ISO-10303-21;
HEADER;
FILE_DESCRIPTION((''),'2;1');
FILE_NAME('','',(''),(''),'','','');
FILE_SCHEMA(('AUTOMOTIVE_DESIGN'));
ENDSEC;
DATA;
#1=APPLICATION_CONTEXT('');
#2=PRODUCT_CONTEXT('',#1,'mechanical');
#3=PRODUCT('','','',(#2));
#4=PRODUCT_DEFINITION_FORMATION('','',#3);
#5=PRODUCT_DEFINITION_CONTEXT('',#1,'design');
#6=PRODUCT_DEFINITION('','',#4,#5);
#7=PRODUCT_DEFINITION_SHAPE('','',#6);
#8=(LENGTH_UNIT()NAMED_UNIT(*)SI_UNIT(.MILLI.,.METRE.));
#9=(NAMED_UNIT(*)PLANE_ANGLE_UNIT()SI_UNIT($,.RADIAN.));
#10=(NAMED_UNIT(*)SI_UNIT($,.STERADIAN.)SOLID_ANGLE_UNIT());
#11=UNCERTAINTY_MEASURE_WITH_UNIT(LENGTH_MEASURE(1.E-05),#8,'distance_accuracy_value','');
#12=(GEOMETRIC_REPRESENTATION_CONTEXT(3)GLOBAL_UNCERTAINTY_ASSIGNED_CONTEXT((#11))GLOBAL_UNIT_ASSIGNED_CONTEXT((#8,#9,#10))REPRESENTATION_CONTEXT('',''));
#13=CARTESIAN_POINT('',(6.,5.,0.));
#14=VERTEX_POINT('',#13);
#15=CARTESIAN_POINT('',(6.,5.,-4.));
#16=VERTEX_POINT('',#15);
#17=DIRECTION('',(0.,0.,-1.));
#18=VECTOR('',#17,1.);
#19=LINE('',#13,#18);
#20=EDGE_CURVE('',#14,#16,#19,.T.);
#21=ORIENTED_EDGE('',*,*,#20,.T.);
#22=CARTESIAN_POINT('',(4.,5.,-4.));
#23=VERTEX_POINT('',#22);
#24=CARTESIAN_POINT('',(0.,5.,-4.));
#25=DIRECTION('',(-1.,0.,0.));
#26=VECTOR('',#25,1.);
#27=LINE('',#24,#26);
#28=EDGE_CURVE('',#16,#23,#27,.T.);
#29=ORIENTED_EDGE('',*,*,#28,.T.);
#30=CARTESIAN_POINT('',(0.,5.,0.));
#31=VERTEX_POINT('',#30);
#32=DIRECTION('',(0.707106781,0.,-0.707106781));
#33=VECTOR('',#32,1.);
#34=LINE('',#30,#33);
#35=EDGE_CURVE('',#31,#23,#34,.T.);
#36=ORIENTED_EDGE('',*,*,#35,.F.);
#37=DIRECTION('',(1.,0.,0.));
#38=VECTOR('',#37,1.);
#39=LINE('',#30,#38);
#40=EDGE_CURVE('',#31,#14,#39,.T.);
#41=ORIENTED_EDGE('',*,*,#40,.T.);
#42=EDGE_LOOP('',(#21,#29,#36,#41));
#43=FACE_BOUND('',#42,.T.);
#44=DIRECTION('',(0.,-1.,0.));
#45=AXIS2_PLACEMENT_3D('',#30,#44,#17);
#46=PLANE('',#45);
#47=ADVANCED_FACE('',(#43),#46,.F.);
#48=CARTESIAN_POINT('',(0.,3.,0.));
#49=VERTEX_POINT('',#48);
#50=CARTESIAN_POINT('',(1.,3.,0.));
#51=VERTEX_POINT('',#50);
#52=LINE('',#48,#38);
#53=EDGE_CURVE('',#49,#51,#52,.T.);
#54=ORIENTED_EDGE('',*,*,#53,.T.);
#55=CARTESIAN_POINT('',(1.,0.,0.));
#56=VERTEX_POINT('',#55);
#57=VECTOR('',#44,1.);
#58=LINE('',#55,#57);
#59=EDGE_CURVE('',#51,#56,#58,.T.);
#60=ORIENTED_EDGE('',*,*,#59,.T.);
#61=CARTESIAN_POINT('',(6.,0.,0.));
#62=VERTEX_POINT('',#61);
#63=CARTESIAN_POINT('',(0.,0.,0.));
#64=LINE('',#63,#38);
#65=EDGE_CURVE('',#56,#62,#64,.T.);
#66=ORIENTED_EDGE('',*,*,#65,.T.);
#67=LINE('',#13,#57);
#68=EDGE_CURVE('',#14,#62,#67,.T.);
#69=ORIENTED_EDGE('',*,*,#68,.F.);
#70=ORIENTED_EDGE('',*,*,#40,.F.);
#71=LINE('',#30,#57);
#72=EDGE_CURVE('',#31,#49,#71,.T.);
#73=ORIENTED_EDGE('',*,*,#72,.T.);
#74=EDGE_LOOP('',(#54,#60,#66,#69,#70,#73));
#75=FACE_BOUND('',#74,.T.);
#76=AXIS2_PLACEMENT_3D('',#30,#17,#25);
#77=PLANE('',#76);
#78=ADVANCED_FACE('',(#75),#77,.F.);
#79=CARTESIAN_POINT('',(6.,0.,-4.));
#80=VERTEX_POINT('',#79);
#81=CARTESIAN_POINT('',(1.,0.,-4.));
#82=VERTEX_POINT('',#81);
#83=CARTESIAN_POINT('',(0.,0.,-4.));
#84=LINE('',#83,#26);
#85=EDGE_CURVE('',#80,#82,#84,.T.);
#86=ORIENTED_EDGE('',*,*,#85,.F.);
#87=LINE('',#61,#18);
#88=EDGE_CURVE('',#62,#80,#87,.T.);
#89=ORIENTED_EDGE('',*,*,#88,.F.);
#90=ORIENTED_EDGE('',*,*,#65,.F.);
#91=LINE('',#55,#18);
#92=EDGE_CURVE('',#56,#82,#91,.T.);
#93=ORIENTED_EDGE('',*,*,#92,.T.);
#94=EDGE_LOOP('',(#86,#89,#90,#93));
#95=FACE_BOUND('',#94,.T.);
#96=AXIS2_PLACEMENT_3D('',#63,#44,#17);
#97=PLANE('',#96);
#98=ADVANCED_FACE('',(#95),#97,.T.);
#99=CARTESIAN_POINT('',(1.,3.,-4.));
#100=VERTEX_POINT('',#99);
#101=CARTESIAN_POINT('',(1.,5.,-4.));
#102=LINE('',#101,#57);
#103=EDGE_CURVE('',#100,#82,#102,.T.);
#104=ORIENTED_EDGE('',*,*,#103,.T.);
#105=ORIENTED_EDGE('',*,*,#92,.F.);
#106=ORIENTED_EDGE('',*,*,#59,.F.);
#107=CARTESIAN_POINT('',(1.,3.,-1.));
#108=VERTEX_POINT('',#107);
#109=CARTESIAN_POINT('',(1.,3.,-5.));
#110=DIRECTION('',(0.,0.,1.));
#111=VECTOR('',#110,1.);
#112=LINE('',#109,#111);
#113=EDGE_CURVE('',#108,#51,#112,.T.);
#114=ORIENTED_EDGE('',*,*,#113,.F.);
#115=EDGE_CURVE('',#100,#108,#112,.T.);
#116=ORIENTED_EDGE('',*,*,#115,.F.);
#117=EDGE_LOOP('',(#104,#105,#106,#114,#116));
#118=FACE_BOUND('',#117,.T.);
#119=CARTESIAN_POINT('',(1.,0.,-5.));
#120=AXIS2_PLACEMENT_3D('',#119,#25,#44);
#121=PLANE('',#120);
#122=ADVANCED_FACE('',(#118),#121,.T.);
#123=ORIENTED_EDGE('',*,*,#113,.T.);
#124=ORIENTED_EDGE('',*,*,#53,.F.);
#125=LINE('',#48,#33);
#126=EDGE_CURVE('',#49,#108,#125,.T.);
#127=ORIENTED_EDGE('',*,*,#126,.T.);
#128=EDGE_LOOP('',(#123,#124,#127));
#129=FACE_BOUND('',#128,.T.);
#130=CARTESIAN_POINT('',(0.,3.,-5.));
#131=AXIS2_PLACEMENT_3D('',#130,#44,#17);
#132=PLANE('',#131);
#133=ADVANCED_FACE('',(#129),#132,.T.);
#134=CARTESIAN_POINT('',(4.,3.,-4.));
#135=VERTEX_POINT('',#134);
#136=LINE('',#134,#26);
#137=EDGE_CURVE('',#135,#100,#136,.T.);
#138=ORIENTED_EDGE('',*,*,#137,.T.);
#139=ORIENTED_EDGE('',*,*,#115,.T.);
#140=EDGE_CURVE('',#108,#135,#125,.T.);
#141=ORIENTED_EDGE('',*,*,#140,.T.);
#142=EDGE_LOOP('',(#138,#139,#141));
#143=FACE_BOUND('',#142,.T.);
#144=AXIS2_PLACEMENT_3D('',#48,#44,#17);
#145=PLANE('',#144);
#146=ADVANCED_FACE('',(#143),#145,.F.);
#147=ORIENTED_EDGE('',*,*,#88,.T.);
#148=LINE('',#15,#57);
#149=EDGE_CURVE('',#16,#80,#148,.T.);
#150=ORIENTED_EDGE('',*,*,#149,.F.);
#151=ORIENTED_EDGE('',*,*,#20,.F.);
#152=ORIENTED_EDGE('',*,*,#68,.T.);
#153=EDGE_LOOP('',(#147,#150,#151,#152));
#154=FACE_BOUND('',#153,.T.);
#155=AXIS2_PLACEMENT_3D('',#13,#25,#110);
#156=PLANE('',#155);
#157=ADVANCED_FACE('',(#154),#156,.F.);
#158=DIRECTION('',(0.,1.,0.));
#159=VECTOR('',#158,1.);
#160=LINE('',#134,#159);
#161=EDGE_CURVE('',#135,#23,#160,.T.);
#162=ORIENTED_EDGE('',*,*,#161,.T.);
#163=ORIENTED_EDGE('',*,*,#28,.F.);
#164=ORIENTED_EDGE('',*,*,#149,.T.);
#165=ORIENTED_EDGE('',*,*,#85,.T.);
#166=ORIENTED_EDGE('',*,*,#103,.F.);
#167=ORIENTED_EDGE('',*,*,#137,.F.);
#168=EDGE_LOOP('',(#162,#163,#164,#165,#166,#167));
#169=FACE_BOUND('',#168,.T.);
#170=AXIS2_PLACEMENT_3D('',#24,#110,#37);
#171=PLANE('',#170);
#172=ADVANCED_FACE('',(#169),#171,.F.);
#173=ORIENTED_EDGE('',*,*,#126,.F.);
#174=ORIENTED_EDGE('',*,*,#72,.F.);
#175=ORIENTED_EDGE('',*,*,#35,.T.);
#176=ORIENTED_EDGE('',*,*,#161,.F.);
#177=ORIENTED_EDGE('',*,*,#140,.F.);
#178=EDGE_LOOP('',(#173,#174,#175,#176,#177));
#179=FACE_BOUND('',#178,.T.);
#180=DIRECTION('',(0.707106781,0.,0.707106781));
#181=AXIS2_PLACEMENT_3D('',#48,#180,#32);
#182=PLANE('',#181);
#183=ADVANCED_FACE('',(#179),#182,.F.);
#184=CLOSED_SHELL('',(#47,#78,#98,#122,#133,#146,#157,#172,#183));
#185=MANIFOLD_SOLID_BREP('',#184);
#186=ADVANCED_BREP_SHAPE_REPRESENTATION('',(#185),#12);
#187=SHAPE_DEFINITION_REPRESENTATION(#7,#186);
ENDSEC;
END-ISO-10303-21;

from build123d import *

# Parameters (mm, degrees)
SKETCH2_W           = 6
SKETCH2_H           = 4
BOSS_EXTRUDE1_DEPTH = 5
SKETCH3_W           = 1
SKETCH3_H           = 3
CUT_EXTRUDE1_DEPTH  = 5
CUT_EXTRUDE3_DEPTH  = 2


with BuildPart() as part:
    # Sketch2 → Boss-Extrude1 (new body)
    with BuildSketch(Plane(origin=(0, 0, 0), x_dir=(1, 0, 0), z_dir=(0, 1, 0))):
        with Locations((3, 2)):
            Rectangle(SKETCH2_W, SKETCH2_H)
    extrude(amount=BOSS_EXTRUDE1_DEPTH)

    # Sketch3 → Cut-Extrude1 (cut)
    with BuildSketch(Plane.XY):
        with Locations((0.5, 1.5)):
            Rectangle(SKETCH3_W, SKETCH3_H)
    extrude(amount=-CUT_EXTRUDE1_DEPTH, mode=Mode.SUBTRACT)

    # Sketch5 → Cut-Extrude3 (cut)
    with BuildSketch(Plane(origin=(0, 5, 0), x_dir=(1, 0, 0), z_dir=(0, 1, 0))):
        Polygon((0, 0), (4, 4), (0, 4), align=None)
    extrude(amount=-CUT_EXTRUDE3_DEPTH, mode=Mode.SUBTRACT)


solid = part.part
